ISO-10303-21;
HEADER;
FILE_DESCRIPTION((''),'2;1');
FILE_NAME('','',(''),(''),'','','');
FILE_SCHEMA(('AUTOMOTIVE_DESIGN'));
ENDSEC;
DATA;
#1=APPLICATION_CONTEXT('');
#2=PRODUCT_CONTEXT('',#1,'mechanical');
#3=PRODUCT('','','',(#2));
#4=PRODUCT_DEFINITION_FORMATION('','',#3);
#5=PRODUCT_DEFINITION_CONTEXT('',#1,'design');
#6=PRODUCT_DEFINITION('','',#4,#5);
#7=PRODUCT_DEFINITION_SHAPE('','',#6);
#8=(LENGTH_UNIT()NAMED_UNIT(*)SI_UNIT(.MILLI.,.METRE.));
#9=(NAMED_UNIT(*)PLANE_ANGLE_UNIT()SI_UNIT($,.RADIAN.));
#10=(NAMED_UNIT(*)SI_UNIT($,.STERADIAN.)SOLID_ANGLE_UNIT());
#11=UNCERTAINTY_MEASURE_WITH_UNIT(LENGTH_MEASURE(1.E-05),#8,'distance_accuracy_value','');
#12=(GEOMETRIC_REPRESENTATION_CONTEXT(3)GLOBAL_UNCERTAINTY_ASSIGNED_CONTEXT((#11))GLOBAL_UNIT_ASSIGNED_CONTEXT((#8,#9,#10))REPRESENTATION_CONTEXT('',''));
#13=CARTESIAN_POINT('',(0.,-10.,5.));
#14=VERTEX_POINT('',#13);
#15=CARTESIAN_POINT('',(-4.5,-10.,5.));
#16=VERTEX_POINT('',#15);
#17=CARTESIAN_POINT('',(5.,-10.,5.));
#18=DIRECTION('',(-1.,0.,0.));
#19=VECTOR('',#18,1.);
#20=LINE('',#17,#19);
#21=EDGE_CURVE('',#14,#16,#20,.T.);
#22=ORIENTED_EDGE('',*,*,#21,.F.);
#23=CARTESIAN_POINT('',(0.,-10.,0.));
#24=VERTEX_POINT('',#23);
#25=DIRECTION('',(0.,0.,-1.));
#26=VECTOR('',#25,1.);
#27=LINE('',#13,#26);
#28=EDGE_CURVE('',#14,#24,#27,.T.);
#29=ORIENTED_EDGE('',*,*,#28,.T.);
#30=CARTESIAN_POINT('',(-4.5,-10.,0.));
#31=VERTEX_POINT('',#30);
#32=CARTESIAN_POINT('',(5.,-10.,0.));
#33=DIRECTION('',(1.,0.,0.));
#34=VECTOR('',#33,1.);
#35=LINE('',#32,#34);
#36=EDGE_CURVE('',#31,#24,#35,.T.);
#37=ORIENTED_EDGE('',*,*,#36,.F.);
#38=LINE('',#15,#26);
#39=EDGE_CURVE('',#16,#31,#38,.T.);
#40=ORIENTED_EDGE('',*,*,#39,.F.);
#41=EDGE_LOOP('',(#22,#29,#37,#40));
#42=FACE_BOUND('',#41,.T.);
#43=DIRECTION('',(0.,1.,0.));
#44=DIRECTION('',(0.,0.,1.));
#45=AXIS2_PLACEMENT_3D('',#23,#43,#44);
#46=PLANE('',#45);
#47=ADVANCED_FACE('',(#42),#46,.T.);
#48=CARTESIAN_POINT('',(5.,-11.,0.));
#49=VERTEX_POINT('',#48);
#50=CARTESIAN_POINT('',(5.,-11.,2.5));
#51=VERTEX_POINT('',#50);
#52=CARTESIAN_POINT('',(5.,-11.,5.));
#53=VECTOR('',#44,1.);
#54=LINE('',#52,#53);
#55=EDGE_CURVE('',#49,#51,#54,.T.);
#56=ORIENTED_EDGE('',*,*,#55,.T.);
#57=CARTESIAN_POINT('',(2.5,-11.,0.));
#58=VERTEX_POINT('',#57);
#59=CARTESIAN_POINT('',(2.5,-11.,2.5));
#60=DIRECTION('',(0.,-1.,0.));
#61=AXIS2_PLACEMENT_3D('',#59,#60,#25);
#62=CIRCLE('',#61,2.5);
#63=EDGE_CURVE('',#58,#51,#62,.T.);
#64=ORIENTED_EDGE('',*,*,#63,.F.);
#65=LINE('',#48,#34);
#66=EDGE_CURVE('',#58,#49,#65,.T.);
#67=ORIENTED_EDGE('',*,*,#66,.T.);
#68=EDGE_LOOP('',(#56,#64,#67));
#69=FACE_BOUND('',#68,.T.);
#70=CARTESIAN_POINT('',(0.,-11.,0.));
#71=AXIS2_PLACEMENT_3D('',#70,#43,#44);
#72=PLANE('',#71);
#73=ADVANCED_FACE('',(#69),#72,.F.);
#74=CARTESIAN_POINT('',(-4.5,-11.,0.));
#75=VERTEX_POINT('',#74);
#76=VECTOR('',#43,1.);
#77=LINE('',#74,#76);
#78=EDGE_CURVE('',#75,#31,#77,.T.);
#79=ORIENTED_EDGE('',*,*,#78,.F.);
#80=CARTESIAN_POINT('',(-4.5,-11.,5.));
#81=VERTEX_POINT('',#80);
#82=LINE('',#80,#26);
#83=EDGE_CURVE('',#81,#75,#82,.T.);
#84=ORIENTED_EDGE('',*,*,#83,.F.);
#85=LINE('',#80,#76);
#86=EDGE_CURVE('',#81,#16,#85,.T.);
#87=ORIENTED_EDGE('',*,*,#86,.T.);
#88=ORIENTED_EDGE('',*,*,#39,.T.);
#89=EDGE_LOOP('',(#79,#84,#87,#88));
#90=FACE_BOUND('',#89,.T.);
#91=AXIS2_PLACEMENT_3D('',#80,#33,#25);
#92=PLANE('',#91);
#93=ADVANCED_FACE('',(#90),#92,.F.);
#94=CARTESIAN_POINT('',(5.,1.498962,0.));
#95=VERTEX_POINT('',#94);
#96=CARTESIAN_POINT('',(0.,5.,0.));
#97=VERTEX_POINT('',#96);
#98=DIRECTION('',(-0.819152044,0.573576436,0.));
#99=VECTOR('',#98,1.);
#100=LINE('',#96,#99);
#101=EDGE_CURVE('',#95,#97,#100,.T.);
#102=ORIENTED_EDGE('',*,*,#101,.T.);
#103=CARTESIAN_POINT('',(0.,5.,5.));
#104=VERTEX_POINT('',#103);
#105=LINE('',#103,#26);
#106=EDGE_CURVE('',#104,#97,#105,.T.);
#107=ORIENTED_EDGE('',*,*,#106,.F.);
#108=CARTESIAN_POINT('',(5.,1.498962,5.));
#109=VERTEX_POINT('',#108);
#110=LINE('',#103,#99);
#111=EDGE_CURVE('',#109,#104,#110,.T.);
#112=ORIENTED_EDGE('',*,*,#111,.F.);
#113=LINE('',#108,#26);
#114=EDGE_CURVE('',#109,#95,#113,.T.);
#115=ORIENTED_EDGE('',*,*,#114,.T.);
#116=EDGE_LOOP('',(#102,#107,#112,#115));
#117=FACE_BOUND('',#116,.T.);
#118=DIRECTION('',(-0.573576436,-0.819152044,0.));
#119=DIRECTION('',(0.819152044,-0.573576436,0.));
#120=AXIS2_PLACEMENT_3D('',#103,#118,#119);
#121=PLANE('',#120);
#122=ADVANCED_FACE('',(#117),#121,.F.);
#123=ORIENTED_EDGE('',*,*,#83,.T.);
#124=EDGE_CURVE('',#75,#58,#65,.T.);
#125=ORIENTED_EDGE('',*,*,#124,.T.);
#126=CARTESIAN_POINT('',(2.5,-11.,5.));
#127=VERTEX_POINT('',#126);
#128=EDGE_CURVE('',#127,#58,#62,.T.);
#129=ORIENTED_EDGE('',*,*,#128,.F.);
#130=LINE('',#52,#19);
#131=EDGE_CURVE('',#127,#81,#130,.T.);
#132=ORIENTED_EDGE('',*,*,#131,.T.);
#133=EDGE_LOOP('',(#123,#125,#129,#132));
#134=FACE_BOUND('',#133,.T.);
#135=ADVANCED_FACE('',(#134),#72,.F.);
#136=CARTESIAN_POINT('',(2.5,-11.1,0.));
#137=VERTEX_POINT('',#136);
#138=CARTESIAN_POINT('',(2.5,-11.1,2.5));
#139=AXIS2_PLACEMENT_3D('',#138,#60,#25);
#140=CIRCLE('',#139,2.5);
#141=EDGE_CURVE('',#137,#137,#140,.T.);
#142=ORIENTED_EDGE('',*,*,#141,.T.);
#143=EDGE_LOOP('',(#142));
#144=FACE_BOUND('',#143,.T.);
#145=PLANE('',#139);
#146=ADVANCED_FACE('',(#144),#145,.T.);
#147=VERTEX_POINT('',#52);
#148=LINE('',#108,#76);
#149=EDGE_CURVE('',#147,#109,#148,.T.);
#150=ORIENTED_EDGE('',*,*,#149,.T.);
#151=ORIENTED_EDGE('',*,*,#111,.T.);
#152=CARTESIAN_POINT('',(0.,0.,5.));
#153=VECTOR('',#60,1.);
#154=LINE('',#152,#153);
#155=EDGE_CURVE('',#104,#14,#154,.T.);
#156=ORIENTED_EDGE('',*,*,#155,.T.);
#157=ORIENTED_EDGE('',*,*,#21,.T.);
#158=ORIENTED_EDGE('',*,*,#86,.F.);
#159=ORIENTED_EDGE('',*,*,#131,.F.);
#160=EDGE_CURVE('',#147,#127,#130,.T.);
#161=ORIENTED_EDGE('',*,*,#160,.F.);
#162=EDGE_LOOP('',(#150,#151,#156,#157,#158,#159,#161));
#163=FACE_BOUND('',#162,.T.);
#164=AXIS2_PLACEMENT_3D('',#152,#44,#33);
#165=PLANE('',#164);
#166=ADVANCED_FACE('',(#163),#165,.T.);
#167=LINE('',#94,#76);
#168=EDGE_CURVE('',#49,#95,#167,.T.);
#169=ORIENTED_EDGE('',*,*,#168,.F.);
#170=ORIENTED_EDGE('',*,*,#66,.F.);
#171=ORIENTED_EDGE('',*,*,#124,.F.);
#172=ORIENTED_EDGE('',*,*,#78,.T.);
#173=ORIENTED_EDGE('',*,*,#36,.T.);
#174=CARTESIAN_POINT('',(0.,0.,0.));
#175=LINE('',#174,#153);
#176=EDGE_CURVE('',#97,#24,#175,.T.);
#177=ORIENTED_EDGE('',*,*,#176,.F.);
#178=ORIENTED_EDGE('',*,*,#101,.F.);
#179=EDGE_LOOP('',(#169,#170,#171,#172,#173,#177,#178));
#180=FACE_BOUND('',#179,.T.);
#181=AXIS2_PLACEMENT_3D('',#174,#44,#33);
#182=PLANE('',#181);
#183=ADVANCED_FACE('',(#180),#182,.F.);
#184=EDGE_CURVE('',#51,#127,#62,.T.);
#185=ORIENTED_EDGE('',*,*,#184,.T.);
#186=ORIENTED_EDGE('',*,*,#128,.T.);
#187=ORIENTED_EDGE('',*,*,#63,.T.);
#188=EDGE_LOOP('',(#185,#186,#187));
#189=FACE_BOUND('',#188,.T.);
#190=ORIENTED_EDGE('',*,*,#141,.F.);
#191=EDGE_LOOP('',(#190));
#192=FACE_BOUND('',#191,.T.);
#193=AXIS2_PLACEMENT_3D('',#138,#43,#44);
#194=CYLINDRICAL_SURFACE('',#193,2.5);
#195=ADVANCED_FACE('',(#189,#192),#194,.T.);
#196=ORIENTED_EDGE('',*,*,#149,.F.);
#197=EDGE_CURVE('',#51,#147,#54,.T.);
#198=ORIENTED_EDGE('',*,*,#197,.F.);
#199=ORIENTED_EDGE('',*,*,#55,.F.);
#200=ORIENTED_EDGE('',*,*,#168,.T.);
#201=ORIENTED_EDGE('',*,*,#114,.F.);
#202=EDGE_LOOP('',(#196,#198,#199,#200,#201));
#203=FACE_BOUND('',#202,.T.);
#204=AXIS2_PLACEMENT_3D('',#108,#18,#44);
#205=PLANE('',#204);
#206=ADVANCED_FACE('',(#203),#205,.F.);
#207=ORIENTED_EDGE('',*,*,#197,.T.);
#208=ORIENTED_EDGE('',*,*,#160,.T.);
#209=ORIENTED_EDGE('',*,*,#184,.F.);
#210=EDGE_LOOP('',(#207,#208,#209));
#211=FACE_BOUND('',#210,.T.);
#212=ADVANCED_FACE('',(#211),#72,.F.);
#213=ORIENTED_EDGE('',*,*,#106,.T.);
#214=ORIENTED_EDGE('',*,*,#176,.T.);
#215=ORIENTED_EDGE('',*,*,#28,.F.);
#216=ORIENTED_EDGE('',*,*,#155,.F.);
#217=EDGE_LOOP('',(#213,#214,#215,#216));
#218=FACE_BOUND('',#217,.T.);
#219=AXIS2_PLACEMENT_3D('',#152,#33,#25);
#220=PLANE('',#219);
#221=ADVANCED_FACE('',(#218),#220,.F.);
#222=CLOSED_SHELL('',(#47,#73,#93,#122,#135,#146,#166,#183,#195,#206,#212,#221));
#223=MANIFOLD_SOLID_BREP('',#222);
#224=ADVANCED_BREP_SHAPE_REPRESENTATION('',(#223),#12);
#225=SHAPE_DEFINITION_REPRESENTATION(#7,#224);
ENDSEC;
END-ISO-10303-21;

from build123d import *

# Parameters (mm, degrees)
BOSS_EXTRUDE1_DEPTH = 5
SKETCH2_W           = 9.5
SKETCH2_H           = 5
BOSS_EXTRUDE2_DEPTH = 1
SKETCH3_R           = 2.5
BOSS_EXTRUDE3_DEPTH = 0.1


with BuildPart() as part:
    # Sketch1 → Boss-Extrude1 (new body)
    with BuildSketch(Plane.XY):
        Polygon((0, 0), (0, 5), (5, 1.498962309), (5, -10), (0, -10), align=None)
    extrude(amount=BOSS_EXTRUDE1_DEPTH)

    # Sketch2 → Boss-Extrude2 (add)
    with BuildSketch(Plane.XZ.offset(10)):
        with Locations((0.25, 2.5)):
            Rectangle(SKETCH2_W, SKETCH2_H)
    extrude(amount=BOSS_EXTRUDE2_DEPTH)

    # Sketch3 → Boss-Extrude3 (add)
    with BuildSketch(Plane.XZ.offset(11)):
        with Locations(Location((2.5, 2.5, 0), (0, 0, 270))):
            Circle(SKETCH3_R)
    extrude(amount=BOSS_EXTRUDE3_DEPTH)


solid = part.part
